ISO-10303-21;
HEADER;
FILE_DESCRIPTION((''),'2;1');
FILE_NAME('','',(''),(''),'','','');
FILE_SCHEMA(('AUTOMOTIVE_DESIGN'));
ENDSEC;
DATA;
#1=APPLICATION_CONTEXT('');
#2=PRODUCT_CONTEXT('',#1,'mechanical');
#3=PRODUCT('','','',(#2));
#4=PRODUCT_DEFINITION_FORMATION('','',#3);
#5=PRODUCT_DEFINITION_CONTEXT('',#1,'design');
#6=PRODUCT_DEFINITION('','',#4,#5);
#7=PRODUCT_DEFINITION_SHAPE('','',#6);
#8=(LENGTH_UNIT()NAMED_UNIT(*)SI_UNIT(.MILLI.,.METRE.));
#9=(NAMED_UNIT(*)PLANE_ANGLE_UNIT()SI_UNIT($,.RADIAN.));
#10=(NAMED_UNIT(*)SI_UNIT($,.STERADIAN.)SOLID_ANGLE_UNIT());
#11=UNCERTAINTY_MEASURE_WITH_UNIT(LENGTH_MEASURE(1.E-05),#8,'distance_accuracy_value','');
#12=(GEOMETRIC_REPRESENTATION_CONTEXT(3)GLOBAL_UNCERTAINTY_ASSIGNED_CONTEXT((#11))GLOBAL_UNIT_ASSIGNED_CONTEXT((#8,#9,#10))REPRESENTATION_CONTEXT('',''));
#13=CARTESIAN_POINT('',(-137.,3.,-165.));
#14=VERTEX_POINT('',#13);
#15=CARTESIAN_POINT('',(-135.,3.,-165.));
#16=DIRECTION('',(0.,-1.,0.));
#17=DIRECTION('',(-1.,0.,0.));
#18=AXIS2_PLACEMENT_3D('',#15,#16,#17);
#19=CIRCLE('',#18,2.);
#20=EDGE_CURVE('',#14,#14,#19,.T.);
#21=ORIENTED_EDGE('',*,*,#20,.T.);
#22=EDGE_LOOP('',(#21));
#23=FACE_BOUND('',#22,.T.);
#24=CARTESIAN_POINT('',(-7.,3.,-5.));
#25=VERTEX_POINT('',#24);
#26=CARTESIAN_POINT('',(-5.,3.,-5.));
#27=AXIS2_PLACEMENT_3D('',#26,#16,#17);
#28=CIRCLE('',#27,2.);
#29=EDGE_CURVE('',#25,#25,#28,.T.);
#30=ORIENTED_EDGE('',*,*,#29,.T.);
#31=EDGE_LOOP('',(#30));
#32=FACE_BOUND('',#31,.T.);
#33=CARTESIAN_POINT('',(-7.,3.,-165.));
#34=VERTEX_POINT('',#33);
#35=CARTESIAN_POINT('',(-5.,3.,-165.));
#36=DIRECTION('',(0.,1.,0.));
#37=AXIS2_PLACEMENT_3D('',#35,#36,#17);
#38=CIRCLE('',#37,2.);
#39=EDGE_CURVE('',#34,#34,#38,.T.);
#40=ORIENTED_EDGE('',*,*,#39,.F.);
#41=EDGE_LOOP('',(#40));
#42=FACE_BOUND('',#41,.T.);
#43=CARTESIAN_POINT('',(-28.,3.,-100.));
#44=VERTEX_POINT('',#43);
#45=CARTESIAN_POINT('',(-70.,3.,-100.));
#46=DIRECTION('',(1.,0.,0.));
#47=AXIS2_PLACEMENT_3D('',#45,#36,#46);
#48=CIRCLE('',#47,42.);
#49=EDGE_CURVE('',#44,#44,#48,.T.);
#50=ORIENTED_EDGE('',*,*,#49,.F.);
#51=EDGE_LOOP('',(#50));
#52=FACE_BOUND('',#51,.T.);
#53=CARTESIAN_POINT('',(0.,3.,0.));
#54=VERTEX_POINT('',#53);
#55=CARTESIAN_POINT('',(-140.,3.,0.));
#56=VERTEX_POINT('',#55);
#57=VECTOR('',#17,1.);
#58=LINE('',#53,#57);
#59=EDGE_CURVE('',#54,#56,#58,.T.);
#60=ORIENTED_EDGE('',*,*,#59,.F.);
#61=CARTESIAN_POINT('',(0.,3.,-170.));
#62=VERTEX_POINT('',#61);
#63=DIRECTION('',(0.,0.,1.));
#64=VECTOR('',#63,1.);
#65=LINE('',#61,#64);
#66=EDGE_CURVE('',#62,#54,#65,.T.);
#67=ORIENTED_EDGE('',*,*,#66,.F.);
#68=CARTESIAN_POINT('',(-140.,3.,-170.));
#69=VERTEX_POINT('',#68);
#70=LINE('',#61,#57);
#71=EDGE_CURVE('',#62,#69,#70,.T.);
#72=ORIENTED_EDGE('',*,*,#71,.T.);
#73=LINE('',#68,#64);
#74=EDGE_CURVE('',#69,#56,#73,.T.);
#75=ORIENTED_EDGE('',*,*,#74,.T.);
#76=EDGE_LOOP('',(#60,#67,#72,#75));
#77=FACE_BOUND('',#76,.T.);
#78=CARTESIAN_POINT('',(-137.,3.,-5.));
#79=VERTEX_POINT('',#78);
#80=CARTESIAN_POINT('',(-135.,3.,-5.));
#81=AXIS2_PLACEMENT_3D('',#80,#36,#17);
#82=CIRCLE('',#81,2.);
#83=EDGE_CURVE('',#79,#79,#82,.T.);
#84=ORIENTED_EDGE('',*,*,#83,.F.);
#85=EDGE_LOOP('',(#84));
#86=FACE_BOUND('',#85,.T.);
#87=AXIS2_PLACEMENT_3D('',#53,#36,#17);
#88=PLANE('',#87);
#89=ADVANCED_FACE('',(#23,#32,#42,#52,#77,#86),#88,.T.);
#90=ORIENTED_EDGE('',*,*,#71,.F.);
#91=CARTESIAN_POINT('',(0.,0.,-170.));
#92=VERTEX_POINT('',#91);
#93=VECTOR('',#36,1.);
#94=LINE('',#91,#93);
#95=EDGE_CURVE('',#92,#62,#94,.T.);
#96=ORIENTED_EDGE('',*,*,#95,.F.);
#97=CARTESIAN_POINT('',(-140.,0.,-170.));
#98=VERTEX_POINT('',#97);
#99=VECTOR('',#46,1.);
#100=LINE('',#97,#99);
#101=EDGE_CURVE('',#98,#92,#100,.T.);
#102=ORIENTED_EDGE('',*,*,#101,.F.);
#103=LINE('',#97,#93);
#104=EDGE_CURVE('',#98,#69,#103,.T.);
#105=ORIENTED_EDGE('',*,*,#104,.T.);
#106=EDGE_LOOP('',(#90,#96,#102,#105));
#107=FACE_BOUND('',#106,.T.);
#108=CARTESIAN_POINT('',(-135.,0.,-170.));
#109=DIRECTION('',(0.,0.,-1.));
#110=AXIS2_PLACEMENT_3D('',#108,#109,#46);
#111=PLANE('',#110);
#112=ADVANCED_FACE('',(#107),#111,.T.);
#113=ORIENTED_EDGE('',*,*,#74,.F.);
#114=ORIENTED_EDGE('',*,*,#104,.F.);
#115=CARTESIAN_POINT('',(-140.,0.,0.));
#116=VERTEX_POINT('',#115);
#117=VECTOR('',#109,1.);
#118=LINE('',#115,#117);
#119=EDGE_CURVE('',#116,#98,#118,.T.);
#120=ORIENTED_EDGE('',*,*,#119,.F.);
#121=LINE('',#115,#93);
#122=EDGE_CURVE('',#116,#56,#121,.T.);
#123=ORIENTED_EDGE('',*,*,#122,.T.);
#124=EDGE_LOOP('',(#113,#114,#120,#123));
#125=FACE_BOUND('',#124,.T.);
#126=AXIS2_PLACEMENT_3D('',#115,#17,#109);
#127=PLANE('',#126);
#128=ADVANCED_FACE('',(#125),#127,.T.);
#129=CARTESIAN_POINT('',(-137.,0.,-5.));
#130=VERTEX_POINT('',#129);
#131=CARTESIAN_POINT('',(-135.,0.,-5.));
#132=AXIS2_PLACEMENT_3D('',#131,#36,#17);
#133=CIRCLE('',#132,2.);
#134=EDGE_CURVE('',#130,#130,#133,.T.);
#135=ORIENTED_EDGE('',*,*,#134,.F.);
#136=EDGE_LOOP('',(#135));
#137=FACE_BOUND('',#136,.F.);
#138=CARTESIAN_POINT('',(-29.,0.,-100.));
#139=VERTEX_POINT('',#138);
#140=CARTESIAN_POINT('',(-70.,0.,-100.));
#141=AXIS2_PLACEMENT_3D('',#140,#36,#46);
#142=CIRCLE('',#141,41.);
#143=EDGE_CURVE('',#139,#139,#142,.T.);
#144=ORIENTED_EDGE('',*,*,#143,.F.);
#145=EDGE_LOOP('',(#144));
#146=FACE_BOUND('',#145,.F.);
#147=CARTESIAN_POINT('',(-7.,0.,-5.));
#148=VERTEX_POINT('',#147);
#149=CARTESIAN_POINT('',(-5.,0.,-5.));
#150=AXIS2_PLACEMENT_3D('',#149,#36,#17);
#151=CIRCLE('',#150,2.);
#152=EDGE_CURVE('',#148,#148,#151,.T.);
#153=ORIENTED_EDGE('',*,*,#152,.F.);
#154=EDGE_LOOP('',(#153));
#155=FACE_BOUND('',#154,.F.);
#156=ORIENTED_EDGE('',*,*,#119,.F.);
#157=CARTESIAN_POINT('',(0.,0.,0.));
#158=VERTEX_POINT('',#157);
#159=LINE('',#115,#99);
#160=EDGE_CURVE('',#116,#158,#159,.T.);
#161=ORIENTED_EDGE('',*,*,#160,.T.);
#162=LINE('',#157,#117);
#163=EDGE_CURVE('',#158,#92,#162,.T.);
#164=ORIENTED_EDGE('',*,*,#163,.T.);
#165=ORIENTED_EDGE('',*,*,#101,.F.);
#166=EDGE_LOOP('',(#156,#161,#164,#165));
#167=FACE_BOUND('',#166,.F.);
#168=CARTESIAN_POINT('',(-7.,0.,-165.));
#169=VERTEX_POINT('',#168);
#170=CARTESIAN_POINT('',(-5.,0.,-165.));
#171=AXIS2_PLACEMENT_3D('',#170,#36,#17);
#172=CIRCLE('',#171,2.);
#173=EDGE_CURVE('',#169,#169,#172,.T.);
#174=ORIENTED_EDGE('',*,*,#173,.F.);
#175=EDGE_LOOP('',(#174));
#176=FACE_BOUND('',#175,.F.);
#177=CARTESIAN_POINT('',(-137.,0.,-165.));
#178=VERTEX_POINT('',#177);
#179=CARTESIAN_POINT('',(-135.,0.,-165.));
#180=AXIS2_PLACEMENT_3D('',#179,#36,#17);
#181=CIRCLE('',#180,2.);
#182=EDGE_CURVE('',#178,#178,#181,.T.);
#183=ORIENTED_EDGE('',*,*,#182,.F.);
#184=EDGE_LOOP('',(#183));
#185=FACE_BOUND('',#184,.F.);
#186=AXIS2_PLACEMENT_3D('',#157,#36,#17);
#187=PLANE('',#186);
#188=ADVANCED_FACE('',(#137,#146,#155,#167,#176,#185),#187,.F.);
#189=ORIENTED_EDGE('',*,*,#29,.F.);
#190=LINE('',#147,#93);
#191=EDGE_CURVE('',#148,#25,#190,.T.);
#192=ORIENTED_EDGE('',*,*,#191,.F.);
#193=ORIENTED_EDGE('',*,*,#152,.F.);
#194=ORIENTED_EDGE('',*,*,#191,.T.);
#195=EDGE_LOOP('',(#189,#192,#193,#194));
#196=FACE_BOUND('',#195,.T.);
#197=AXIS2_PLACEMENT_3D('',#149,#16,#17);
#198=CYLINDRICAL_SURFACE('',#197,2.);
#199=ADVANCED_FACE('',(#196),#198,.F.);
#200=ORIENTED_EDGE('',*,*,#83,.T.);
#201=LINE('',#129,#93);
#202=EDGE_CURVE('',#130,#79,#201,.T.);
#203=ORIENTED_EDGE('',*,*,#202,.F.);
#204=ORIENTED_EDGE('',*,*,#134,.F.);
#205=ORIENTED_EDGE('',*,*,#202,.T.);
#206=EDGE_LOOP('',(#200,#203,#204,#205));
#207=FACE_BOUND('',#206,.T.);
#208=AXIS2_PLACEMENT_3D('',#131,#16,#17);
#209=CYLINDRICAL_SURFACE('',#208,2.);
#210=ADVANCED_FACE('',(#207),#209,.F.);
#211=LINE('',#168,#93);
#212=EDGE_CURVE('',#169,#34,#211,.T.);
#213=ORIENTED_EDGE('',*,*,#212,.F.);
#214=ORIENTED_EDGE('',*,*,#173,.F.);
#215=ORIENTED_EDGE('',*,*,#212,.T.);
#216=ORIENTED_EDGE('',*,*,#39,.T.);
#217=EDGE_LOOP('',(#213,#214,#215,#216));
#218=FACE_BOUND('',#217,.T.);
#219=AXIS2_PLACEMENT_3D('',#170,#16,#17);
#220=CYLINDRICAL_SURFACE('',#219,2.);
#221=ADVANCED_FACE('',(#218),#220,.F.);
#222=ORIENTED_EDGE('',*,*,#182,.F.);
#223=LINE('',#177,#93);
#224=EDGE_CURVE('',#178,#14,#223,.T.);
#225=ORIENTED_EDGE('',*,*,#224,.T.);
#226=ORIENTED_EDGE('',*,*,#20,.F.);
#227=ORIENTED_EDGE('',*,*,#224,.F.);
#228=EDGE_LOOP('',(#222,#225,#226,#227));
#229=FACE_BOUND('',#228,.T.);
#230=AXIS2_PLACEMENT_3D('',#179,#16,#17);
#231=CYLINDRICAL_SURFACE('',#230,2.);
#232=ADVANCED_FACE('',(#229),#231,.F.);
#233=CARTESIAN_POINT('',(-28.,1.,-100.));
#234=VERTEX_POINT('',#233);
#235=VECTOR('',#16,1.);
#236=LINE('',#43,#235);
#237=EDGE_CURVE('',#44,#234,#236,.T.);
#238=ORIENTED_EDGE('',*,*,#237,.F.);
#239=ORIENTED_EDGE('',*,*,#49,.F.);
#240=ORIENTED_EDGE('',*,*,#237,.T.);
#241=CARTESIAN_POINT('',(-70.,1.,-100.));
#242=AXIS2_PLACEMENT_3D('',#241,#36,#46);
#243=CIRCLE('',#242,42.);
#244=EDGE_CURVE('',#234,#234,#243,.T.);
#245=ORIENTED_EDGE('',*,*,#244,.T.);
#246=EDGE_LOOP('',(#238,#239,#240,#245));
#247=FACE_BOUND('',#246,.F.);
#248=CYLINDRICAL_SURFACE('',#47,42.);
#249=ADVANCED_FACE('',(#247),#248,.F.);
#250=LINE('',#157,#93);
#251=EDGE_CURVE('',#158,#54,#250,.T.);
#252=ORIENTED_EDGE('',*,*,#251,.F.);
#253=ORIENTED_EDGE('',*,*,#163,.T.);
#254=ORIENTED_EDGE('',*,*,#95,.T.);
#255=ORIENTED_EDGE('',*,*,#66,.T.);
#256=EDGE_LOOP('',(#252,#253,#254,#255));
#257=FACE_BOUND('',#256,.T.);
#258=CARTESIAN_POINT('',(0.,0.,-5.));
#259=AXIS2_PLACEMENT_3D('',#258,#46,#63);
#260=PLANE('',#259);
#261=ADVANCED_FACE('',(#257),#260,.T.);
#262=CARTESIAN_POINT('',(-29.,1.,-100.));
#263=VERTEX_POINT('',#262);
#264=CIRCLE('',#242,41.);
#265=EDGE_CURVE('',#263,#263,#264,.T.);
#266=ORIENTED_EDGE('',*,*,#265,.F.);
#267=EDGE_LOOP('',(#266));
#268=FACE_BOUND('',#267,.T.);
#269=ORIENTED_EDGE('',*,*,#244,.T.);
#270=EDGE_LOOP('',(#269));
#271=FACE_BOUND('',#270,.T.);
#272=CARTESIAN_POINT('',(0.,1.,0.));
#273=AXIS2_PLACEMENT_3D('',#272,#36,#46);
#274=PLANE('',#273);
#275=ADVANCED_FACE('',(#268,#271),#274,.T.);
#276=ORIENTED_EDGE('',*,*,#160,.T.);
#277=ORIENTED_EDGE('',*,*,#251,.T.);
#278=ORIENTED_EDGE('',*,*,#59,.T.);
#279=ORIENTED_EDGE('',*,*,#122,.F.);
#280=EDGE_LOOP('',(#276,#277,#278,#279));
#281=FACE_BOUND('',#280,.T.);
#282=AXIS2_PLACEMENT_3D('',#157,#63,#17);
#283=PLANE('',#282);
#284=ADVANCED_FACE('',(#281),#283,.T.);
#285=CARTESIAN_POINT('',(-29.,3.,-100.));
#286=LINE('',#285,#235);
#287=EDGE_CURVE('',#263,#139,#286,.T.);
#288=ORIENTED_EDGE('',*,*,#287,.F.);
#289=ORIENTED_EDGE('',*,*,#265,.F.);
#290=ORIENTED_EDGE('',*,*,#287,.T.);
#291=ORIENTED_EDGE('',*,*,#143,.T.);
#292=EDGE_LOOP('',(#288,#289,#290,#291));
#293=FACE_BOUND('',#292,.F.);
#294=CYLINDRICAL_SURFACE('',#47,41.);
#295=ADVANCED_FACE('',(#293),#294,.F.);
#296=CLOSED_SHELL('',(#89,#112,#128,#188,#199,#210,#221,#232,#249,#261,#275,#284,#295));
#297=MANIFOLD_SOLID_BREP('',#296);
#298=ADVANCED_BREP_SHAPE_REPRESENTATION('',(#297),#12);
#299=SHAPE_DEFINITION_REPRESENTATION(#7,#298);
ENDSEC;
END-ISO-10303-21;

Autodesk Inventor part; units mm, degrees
ref_plane "YZ Plane" through (0, 0, 0) normal (1, 0, 0) x (0, 1, 0)
ref_plane "XZ Plane" through (0, 0, 0) normal (0, 1, 0) x (-1, 0, 0)
ref_plane "XY Plane" through (0, 0, 0) normal (0, 0, 1) x (1, 0, 0)
sketch "Sketch1" plane through (0, 0, 0) normal (0, 1, 0) x (-1, 0, 0)
  line L0 (0, 0) -> (140, 0)
  line L1 (140, 0) -> (140, -170)
  line L2 (140, -170) -> (0, -170)
  line L3 (0, -170) -> (0, 0)
  line L4 (140, 0) -> (137.5, 0)
  line L5 (140, -2.5) -> (140, 0)
  line L6 (140, -170) -> (135, -170)
  line L7 (135, -170) -> (135, -165)
  line L8 (135, -165) -> (140, -165)
  line L9 (140, -165) -> (140, -170)
  circle A0 centre (135, -165) radius 2
  line L10 (0, 0) -> (5, 0)
  line L11 (5, 0) -> (5, -5)
  line L12 (5, -5) -> (0, -5)
  line L13 (0, -5) -> (0, 0)
  circle A1 centre (5, -5) radius 2
  circle A2 centre (5, -165) radius 2
  circle A3 centre (135, -5) radius 2
  dimension "d0" = 140
  dimension "d1" = 170
  dimension "d25" = 5
  dimension "d26" = 5
  dimension "d27" = 4
  dimension "d28" = 5
  dimension "d29" = 5
  dimension "d30" = 4
  dimension "d31" = 4
  dimension "d32" = 4
extrude "Extrusion5" add sketch "Sketch1" along normal blind 3 contours L0 L11 A1 L12 L3 | L0 L1 L8 A0 L7 L2 L3 L12 A1 L11 | L7 A0 L8 L1 L2
sketch "Sketch5" plane through (0, 3, 0) normal (0, 1, 0) x (1, 0, 0)
  line L0 (0, 170) -> (-140, 170) projected
  circle A0 centre (-70, 100) radius 41
  point P0 (0, 0)
  dimension "d36" = 82
extrude "Extrusion6" cut sketch "Sketch5" against normal blind 10
sketch "Sketch6" plane through (0, 3, 0) normal (0, 1, 0) x (1, 0, 0)
  circle A0 centre (-70, 100) radius 41 projected
  circle A1 centre (-70, 100) radius 41
  circle A2 centre (-70, 100) radius 42
  point P0 (0, 0)
  dimension "d39" = 84
extrude "Extrusion7" cut sketch "Sketch6" against normal blind 2
properties part number "back"
